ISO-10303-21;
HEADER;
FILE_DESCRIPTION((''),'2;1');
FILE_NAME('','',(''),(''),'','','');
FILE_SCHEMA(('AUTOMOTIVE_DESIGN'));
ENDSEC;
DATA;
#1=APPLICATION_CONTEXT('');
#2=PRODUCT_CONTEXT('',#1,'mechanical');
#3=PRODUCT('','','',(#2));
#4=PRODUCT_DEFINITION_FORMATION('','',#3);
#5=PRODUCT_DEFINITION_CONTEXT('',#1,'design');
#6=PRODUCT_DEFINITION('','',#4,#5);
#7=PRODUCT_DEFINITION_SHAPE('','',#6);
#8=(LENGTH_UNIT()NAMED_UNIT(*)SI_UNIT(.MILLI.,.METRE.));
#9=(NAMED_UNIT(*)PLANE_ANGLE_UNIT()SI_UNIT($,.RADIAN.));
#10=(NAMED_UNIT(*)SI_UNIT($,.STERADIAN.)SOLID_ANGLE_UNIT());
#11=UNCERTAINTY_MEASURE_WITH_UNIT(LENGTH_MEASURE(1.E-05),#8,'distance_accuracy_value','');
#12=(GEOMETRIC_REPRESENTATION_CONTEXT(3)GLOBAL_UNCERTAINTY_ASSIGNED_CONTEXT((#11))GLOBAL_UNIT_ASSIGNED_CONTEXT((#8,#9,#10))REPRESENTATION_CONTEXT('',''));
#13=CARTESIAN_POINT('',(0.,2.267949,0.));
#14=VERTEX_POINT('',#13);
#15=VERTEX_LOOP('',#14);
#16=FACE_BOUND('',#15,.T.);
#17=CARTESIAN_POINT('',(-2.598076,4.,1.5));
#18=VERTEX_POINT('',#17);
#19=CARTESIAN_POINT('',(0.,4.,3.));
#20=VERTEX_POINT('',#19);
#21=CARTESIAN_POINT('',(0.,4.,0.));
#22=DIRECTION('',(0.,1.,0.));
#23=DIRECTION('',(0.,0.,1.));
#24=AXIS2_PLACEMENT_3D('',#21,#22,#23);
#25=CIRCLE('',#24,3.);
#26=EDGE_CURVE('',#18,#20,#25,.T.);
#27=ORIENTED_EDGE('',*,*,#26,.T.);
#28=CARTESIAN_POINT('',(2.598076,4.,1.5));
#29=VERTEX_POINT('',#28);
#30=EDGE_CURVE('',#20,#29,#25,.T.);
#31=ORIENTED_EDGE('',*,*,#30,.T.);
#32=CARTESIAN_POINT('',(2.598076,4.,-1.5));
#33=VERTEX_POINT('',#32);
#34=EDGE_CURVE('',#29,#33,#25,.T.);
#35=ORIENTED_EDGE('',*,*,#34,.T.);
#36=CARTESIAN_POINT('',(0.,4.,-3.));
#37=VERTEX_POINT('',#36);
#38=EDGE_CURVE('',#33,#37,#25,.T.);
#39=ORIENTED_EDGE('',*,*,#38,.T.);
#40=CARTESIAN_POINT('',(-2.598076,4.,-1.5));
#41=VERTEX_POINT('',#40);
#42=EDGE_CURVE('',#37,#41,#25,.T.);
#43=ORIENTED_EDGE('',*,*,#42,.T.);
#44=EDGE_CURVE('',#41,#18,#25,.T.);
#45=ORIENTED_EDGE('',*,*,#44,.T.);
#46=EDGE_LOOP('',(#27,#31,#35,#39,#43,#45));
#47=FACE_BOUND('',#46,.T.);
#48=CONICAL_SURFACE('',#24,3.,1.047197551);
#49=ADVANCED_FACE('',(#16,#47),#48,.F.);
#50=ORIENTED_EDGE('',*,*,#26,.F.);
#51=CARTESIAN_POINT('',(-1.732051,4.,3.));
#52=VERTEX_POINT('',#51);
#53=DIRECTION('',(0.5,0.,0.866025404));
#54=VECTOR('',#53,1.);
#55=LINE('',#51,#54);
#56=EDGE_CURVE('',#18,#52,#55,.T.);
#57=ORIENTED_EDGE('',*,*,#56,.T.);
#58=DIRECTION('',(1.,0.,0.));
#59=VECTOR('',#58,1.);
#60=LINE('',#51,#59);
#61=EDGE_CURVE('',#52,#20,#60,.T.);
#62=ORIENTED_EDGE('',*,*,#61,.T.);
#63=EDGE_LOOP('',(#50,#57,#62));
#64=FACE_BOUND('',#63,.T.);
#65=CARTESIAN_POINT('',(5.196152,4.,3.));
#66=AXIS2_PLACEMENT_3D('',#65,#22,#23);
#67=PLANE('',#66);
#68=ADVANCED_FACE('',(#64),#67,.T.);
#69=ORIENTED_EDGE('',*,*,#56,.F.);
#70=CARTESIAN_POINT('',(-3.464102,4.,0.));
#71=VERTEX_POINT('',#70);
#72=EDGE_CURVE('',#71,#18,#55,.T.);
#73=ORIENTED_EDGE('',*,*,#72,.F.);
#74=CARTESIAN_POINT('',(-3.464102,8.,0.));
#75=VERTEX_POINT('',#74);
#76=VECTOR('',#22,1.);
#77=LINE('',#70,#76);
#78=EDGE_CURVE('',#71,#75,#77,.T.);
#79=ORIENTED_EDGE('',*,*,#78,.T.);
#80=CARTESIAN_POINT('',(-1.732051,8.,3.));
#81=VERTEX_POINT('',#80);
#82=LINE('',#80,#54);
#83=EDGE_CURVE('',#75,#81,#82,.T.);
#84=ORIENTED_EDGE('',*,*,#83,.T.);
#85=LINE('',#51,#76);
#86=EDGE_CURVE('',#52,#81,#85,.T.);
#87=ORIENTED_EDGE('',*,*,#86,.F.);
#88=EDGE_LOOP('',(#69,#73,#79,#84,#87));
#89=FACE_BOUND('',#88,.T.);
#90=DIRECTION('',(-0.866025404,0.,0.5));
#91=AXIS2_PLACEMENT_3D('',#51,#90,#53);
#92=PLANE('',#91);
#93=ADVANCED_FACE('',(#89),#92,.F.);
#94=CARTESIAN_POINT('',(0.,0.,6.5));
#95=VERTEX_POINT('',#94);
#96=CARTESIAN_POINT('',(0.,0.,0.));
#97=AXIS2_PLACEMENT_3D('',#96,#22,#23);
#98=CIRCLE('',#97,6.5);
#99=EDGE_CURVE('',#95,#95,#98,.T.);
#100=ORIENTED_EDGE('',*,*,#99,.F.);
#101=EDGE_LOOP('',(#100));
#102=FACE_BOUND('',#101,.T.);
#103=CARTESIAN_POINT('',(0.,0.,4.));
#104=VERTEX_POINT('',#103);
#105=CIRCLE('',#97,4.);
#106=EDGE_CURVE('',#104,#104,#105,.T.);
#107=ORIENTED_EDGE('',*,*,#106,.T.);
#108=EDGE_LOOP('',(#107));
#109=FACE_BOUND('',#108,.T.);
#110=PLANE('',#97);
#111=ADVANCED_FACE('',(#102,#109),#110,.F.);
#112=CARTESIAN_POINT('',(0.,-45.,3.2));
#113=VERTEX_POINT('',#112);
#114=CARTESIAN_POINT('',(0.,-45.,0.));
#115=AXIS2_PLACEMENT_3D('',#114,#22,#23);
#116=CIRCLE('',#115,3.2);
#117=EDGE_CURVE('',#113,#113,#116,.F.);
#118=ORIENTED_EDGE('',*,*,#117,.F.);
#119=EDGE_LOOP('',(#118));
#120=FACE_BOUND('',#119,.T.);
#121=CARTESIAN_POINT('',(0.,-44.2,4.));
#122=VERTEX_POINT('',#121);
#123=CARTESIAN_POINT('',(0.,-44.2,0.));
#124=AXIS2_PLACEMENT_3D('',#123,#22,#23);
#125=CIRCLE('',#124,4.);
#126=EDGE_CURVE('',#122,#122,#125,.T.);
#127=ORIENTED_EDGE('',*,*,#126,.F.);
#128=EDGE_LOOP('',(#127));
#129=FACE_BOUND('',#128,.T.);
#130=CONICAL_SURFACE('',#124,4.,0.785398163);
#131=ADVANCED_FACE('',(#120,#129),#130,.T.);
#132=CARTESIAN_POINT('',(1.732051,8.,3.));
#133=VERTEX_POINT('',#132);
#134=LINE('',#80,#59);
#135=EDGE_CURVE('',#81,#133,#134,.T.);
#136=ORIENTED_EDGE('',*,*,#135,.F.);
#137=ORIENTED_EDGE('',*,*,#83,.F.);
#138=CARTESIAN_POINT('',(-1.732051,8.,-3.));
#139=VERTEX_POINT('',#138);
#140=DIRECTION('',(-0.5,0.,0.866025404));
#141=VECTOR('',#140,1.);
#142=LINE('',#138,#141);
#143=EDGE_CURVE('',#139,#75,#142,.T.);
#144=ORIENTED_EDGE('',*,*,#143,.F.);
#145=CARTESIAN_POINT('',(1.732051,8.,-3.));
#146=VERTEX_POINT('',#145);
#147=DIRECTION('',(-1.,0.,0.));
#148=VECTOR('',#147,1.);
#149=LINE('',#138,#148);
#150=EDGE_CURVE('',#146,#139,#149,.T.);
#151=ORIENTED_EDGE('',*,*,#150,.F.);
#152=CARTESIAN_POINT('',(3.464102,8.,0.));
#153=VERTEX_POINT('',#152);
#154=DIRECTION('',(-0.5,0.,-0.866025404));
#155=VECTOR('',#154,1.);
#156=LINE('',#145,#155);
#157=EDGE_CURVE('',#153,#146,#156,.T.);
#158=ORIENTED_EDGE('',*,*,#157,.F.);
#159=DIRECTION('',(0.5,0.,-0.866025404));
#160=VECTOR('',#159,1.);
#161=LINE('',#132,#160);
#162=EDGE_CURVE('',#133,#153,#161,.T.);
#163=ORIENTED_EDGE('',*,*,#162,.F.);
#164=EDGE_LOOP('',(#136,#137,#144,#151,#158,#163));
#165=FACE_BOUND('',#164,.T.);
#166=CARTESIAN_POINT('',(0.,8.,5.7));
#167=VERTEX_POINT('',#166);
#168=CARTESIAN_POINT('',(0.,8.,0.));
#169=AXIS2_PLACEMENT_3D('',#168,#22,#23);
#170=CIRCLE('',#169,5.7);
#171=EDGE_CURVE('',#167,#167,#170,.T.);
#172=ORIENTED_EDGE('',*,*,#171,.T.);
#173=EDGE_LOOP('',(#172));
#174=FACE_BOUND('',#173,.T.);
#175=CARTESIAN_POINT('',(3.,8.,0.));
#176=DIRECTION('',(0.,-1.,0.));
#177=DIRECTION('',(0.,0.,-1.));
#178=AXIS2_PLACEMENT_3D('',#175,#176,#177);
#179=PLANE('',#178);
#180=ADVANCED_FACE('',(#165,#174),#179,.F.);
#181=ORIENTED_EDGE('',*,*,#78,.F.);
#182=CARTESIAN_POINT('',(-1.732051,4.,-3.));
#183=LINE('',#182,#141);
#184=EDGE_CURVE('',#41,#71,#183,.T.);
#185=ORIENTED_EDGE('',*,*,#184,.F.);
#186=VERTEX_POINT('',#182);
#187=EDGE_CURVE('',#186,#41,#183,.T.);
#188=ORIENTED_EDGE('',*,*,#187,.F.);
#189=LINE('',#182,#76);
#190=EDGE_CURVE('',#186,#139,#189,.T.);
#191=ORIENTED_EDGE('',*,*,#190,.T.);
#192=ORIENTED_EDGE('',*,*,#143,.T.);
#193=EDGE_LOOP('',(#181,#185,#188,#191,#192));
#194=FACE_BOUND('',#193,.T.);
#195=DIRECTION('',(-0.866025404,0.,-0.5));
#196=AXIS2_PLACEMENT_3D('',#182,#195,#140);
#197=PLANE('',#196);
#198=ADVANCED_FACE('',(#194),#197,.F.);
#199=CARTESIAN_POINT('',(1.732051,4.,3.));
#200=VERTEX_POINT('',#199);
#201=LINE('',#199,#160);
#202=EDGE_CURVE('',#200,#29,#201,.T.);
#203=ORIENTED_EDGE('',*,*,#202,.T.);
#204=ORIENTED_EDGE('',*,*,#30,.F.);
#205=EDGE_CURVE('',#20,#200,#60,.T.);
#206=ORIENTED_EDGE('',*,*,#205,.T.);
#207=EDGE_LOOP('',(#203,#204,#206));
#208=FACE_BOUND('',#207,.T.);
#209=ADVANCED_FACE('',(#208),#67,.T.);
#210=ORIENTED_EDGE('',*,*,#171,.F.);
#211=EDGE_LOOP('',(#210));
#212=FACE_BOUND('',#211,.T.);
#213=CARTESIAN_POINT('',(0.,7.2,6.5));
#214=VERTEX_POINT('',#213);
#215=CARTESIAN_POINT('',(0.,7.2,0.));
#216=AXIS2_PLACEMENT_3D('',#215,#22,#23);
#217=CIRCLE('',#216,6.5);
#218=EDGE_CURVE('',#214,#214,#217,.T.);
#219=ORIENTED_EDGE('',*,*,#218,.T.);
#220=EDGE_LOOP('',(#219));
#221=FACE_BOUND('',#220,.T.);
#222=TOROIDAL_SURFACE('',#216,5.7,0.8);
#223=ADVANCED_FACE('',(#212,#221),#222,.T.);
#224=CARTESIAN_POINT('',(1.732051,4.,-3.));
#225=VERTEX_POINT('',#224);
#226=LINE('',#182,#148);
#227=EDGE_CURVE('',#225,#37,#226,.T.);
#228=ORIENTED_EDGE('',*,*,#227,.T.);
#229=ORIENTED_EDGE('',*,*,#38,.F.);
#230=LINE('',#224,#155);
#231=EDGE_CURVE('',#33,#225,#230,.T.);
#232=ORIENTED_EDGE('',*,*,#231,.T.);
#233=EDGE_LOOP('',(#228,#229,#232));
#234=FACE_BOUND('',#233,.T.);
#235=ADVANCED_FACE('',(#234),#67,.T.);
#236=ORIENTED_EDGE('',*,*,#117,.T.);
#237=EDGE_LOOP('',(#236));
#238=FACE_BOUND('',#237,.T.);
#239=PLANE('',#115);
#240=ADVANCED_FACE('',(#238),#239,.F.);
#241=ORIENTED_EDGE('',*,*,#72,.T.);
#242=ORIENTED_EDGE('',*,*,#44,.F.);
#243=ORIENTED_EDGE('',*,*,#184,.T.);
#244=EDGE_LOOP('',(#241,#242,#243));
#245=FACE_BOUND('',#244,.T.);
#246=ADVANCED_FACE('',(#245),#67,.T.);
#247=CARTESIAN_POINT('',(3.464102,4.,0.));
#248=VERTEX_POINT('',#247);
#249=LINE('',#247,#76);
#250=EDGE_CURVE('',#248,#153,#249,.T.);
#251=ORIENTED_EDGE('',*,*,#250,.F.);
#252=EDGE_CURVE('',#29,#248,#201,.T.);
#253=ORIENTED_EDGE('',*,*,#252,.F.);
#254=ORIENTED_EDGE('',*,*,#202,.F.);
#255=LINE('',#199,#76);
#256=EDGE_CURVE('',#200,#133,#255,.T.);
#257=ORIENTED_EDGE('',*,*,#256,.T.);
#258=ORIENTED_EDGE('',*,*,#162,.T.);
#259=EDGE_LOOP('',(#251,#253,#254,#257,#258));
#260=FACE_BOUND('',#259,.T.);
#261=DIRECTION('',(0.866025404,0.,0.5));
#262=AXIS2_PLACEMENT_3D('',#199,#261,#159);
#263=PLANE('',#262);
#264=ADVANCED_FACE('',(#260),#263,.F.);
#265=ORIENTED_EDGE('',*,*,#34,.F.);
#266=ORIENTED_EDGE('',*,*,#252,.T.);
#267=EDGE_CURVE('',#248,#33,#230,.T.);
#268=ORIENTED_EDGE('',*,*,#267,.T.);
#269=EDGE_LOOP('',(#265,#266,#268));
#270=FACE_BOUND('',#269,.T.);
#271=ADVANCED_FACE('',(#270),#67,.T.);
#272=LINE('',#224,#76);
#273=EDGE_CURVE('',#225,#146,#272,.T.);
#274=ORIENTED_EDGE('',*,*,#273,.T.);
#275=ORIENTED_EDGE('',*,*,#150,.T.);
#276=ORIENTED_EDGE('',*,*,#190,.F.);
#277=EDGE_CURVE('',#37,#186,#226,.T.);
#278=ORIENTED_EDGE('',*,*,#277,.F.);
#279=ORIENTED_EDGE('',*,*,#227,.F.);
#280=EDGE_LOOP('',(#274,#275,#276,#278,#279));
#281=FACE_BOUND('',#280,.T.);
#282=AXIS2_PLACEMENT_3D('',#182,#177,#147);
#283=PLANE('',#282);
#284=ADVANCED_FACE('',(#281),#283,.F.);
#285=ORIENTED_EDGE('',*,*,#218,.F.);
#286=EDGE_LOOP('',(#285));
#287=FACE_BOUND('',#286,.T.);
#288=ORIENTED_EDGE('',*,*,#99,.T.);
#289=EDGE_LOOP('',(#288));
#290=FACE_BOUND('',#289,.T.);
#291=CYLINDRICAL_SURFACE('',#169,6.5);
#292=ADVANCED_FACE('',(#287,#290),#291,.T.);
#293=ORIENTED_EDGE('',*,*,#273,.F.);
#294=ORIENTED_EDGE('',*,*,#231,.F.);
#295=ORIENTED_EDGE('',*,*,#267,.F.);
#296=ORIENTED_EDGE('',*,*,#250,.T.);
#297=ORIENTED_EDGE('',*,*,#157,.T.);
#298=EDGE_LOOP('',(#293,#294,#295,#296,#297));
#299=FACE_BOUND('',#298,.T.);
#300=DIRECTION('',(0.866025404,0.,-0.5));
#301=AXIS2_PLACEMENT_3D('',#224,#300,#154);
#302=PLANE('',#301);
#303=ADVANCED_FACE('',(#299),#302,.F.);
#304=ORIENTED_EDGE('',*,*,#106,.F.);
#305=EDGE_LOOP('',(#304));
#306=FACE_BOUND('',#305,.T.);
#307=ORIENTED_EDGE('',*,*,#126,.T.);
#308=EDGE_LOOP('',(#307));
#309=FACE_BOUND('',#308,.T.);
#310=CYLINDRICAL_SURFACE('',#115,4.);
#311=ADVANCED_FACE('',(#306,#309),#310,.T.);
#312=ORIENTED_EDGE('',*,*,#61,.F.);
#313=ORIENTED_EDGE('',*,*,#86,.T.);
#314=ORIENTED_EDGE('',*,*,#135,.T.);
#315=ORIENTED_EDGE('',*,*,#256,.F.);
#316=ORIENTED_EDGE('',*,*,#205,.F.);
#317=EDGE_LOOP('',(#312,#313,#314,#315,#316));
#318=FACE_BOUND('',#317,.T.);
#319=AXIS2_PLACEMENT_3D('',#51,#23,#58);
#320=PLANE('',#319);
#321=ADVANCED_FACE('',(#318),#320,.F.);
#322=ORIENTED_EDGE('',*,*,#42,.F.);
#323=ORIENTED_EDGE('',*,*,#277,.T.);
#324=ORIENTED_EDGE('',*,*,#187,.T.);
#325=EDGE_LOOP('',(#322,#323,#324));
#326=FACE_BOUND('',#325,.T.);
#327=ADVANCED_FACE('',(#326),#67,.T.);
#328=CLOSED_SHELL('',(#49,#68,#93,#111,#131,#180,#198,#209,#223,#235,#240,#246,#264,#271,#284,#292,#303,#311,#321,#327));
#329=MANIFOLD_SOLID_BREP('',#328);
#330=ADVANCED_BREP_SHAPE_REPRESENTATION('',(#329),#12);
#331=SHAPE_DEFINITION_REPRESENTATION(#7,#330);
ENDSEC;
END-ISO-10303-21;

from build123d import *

# Parameters (mm, degrees)
ESQUISSE2_R             = 4
BASE_EXTRUSION_DEPTH    = 45
CHANFREIN1_SIZE         = 0.8
ENL_V_MAT_EXTRU_1_DEPTH = 4


with BuildPart() as part:
    # Esquisse2 → Base-Extrusion (new body)
    with BuildSketch(Plane(origin=(0, 0, 0), x_dir=(1, 0, 0), z_dir=(0, 1, 0))):
        with Locations(Location((0, 0, 0), (0, 0, 270))):  # turned: the seam where the file's is
            Circle(ESQUISSE2_R)
    extrude(amount=-BASE_EXTRUSION_DEPTH)

    # Chanfrein1
    chanfrein1_edges = [part.edges().sort_by_distance(p)[0] for p in [
        (0, -45, -4),
    ]]
    chamfer(chanfrein1_edges, length=CHANFREIN1_SIZE)

    # Esquisse5 → Boss.-Révol.1 (revolve)
    with BuildSketch(Plane.XY, mode=Mode.PRIVATE) as boss_r_vol_1_sk:
        with BuildLine():
            Line((3, 8), (3, 4))
            Line((3, 4), (0, 2.267949192))
            Line((0, 2.267949192), (0, 0))
            Line((0, 0), (6.5, 0))
            Line((6.5, 0), (6.5, 7.2))
            ThreePointArc((6.5, 7.2), (6.265685425, 7.765685425), (5.7, 8))
            Line((5.7, 8), (3, 8))
        make_face()
    revolve(boss_r_vol_1_sk.sketch.rotate(Axis((0, 8, 0), (0, -1, 0)), 90), axis=Axis((0, 8, 0), (0, -1, 0)))  # turned: the seam where the file's is

    # Esquisse7 → Enlèv. mat.-Extru.1 (cut)
    with BuildSketch(Plane(origin=(0, 8, 0), x_dir=(-1, 0, 0), z_dir=(0, 1, 0))):
        Polygon((1.732050808, 3), (-1.732050808, 3), (-3.464101615, 0), (-1.732050808, -3), (1.732050808, -3), (3.464101615, 0), align=None)
    extrude(amount=-ENL_V_MAT_EXTRU_1_DEPTH, mode=Mode.SUBTRACT)


solid = part.part
